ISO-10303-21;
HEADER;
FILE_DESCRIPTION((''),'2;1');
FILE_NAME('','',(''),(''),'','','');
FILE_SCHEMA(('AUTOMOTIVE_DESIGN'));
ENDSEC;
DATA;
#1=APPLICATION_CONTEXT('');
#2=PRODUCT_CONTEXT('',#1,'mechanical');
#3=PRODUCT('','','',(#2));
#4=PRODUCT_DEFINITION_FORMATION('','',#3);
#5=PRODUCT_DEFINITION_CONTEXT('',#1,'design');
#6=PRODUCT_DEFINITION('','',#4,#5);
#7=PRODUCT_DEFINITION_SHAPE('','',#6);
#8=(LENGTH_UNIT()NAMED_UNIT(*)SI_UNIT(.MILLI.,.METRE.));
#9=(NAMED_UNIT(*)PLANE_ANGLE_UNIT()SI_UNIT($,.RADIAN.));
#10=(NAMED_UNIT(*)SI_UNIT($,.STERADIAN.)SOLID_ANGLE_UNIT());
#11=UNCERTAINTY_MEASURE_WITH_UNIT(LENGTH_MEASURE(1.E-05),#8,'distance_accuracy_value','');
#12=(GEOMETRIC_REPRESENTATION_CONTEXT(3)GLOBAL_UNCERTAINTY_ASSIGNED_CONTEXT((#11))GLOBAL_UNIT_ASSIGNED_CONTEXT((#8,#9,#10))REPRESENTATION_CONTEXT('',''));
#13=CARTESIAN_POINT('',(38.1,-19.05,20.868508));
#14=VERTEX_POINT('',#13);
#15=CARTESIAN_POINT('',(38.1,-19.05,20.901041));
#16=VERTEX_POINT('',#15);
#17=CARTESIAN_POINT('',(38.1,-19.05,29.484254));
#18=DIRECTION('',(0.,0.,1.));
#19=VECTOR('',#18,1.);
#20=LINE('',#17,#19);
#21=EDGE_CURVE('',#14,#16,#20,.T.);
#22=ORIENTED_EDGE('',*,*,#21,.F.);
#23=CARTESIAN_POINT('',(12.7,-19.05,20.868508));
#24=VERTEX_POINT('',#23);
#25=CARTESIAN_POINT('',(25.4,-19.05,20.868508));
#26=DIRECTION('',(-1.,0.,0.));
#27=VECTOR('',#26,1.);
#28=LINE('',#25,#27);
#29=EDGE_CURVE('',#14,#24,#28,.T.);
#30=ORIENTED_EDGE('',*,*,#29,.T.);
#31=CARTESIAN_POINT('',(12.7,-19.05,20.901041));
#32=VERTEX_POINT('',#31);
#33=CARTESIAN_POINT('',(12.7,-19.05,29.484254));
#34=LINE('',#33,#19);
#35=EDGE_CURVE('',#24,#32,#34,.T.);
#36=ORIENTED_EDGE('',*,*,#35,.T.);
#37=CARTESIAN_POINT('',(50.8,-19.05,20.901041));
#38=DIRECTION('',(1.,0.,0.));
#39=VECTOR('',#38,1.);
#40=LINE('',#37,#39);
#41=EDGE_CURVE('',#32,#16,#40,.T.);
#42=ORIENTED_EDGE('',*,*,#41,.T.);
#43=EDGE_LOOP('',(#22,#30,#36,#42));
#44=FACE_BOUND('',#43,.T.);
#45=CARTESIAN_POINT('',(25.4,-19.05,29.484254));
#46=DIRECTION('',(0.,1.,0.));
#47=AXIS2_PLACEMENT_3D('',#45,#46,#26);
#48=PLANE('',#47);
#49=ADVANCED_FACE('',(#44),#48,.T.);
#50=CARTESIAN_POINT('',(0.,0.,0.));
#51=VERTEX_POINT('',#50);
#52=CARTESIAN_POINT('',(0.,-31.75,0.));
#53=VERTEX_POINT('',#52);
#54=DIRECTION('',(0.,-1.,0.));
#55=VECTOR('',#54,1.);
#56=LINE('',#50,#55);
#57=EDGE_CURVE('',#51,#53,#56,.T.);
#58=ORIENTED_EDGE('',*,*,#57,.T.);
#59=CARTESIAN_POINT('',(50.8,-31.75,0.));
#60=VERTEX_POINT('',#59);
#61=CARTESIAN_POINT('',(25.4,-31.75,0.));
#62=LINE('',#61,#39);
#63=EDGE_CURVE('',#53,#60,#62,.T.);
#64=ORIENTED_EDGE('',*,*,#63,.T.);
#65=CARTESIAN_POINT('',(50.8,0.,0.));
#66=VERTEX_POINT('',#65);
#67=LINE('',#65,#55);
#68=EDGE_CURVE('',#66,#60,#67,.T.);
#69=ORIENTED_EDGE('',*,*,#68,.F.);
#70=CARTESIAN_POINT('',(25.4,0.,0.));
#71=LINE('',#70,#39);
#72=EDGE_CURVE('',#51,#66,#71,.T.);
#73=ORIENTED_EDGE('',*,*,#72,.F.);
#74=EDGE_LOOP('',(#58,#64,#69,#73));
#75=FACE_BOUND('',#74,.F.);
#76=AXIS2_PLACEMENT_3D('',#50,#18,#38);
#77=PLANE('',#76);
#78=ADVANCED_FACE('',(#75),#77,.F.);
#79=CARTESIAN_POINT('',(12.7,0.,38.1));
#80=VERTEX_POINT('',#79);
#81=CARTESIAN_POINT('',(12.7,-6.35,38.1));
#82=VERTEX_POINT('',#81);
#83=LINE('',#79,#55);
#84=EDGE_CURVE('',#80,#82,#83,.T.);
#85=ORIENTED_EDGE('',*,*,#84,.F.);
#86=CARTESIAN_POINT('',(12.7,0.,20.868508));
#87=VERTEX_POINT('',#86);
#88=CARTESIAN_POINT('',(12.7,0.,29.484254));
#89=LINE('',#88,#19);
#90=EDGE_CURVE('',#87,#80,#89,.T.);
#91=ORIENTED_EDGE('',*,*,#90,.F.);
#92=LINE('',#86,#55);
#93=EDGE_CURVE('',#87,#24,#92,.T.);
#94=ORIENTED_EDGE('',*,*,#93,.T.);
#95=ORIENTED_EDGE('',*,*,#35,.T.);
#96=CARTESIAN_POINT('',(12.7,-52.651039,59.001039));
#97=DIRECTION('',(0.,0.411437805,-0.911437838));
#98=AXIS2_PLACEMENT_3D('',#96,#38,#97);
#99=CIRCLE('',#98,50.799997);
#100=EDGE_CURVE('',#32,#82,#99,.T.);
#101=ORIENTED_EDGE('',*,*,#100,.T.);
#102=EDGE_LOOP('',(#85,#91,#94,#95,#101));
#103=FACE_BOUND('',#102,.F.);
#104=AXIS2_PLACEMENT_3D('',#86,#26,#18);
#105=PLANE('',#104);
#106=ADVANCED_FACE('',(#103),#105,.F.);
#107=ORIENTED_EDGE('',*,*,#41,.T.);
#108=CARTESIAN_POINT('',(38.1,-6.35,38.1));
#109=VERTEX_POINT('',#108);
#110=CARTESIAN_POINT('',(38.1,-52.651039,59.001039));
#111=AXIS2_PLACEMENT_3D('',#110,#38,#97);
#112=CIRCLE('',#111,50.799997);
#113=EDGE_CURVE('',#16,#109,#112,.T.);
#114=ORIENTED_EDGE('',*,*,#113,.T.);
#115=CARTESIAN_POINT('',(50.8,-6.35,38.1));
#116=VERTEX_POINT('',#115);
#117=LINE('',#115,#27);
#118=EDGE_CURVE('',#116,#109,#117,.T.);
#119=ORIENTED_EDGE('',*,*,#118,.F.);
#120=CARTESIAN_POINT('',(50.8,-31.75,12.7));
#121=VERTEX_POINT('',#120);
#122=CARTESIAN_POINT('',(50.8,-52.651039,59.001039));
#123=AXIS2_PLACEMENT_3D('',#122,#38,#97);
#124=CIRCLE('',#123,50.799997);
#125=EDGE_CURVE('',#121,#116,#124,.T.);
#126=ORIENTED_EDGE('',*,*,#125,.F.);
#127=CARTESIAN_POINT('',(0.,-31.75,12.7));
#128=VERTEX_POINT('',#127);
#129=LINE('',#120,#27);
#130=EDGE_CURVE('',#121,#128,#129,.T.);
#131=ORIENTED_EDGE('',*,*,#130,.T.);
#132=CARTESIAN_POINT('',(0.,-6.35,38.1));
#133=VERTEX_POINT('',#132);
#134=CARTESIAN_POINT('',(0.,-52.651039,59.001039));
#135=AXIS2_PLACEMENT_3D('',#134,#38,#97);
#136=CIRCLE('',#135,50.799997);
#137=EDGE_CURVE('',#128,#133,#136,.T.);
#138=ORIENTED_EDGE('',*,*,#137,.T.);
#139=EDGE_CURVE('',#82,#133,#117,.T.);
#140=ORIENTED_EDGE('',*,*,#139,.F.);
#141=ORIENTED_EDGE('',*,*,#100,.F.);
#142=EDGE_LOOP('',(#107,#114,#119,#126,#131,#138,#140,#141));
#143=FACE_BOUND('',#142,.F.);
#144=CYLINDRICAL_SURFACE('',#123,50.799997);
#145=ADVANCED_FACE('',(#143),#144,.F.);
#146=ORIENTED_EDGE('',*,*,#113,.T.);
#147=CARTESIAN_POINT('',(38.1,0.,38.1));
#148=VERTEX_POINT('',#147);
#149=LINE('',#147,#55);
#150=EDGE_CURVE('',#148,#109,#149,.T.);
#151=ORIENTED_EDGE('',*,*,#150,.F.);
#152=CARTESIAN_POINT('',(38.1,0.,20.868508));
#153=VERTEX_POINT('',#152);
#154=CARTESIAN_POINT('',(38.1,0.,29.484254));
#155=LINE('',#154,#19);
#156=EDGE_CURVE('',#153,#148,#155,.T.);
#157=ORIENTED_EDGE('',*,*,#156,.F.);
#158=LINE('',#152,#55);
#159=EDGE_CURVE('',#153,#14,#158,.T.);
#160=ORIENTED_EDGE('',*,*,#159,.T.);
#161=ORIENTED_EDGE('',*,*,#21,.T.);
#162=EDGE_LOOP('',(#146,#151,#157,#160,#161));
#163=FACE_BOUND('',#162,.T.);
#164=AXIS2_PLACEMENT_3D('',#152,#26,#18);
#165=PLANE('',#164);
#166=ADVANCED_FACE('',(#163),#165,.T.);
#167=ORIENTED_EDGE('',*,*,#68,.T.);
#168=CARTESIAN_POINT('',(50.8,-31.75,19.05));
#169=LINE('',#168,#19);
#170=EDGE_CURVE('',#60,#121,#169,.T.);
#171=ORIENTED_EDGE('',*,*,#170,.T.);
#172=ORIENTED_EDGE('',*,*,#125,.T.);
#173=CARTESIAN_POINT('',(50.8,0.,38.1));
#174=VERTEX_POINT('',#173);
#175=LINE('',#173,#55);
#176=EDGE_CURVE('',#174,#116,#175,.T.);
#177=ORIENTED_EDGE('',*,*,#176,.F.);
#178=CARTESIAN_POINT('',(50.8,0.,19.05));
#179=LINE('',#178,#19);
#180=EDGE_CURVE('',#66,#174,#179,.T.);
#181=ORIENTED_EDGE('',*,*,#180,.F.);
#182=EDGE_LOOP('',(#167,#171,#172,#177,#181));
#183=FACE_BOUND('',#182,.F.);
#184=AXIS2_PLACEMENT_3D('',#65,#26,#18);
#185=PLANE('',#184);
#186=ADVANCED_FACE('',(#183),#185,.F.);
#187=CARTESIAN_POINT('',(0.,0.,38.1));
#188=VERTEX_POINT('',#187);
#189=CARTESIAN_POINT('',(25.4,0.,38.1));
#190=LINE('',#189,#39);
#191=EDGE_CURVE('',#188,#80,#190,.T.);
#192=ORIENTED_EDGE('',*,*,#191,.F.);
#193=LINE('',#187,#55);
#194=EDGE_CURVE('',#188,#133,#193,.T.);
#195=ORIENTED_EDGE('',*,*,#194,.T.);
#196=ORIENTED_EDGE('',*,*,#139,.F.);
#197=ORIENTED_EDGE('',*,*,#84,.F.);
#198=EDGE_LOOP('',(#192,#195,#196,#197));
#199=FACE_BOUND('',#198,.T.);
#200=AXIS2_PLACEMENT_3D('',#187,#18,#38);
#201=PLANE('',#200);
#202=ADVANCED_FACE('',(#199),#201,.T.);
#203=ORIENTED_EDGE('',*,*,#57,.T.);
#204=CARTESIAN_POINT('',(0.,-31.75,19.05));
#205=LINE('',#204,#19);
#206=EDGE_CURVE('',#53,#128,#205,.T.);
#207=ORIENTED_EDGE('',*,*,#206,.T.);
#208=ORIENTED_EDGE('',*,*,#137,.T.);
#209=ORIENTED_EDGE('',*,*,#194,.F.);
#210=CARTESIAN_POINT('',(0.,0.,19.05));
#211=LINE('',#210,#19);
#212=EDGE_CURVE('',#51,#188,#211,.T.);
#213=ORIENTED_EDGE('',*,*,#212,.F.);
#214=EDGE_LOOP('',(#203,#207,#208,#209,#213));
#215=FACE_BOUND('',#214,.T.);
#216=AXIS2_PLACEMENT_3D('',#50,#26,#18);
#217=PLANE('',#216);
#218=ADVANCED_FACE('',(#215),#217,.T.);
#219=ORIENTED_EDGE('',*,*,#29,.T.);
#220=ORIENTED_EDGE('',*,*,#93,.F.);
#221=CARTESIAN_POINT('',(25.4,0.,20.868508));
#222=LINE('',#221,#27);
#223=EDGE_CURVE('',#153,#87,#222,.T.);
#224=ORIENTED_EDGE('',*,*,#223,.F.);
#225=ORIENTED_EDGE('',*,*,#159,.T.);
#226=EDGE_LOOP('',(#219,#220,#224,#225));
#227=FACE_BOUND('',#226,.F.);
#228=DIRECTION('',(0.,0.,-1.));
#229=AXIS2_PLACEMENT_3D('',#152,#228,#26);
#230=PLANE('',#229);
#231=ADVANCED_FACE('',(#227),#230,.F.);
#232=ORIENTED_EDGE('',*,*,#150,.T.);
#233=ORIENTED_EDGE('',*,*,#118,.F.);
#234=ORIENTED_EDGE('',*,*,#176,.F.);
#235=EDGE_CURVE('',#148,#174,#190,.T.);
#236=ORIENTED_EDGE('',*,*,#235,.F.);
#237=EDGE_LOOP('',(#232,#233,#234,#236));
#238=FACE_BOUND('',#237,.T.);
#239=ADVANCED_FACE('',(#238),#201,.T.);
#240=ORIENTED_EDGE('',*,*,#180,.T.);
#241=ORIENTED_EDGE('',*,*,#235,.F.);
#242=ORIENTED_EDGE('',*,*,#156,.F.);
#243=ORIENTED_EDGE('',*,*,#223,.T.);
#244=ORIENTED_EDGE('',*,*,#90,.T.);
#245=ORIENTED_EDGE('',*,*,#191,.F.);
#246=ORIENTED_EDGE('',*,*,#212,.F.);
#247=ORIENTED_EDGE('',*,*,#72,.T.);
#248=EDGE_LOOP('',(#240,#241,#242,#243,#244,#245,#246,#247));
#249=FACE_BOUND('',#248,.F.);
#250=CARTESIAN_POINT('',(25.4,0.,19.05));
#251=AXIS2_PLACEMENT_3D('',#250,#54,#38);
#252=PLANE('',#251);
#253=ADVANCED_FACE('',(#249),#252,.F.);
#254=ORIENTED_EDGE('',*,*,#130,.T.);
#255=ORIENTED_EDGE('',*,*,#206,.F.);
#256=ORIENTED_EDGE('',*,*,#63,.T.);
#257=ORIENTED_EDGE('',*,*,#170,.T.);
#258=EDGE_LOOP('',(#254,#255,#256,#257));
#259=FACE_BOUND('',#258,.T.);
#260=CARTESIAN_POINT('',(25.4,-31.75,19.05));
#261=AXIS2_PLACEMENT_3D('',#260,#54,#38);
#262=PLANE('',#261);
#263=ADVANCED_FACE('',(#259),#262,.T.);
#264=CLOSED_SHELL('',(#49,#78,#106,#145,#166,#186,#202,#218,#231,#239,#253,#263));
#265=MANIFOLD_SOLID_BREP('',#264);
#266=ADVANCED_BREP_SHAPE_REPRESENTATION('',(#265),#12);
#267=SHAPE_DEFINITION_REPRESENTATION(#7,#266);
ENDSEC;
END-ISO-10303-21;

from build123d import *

# Parameters (mm, degrees)
F0_W     = 50.8
F0_H     = 38.1
F1_DEPTH = 31.75
F3_DEPTH = 50.8
F4_W     = 25.4
F4_H     = 17.231492
F5_DEPTH = 19.05


with BuildPart() as f1:
    # F0 (on Front) → F1 (new body)
    with BuildSketch(Plane.XZ):
        with Locations((25.4, 19.05)):
            Rectangle(F0_W, F0_H)
    extrude(amount=F1_DEPTH)

    # F2 (on face) → F3 (cut)
    with BuildSketch(Plane.YZ.offset(50.8)):
        with BuildLine():
            Line((-31.75, 38.1), (-31.75, 12.7))
            ThreePointArc((-31.75, 12.7), (-16.730017, 23.080017), (-6.35, 38.1))
            Line((-6.35, 38.1), (-31.75, 38.1))
        make_face()
    extrude(amount=-F3_DEPTH, mode=Mode.SUBTRACT)

    # F4 (on face) → F5 (cut)
    with BuildSketch(Plane(origin=(0, 0, 0), x_dir=(-1, 0, 0), z_dir=(0, 1, 0))):
        with Locations((-25.4, 29.484254)):
            Rectangle(F4_W, F4_H)
    extrude(amount=-F5_DEPTH, mode=Mode.SUBTRACT)


solid = f1.part
